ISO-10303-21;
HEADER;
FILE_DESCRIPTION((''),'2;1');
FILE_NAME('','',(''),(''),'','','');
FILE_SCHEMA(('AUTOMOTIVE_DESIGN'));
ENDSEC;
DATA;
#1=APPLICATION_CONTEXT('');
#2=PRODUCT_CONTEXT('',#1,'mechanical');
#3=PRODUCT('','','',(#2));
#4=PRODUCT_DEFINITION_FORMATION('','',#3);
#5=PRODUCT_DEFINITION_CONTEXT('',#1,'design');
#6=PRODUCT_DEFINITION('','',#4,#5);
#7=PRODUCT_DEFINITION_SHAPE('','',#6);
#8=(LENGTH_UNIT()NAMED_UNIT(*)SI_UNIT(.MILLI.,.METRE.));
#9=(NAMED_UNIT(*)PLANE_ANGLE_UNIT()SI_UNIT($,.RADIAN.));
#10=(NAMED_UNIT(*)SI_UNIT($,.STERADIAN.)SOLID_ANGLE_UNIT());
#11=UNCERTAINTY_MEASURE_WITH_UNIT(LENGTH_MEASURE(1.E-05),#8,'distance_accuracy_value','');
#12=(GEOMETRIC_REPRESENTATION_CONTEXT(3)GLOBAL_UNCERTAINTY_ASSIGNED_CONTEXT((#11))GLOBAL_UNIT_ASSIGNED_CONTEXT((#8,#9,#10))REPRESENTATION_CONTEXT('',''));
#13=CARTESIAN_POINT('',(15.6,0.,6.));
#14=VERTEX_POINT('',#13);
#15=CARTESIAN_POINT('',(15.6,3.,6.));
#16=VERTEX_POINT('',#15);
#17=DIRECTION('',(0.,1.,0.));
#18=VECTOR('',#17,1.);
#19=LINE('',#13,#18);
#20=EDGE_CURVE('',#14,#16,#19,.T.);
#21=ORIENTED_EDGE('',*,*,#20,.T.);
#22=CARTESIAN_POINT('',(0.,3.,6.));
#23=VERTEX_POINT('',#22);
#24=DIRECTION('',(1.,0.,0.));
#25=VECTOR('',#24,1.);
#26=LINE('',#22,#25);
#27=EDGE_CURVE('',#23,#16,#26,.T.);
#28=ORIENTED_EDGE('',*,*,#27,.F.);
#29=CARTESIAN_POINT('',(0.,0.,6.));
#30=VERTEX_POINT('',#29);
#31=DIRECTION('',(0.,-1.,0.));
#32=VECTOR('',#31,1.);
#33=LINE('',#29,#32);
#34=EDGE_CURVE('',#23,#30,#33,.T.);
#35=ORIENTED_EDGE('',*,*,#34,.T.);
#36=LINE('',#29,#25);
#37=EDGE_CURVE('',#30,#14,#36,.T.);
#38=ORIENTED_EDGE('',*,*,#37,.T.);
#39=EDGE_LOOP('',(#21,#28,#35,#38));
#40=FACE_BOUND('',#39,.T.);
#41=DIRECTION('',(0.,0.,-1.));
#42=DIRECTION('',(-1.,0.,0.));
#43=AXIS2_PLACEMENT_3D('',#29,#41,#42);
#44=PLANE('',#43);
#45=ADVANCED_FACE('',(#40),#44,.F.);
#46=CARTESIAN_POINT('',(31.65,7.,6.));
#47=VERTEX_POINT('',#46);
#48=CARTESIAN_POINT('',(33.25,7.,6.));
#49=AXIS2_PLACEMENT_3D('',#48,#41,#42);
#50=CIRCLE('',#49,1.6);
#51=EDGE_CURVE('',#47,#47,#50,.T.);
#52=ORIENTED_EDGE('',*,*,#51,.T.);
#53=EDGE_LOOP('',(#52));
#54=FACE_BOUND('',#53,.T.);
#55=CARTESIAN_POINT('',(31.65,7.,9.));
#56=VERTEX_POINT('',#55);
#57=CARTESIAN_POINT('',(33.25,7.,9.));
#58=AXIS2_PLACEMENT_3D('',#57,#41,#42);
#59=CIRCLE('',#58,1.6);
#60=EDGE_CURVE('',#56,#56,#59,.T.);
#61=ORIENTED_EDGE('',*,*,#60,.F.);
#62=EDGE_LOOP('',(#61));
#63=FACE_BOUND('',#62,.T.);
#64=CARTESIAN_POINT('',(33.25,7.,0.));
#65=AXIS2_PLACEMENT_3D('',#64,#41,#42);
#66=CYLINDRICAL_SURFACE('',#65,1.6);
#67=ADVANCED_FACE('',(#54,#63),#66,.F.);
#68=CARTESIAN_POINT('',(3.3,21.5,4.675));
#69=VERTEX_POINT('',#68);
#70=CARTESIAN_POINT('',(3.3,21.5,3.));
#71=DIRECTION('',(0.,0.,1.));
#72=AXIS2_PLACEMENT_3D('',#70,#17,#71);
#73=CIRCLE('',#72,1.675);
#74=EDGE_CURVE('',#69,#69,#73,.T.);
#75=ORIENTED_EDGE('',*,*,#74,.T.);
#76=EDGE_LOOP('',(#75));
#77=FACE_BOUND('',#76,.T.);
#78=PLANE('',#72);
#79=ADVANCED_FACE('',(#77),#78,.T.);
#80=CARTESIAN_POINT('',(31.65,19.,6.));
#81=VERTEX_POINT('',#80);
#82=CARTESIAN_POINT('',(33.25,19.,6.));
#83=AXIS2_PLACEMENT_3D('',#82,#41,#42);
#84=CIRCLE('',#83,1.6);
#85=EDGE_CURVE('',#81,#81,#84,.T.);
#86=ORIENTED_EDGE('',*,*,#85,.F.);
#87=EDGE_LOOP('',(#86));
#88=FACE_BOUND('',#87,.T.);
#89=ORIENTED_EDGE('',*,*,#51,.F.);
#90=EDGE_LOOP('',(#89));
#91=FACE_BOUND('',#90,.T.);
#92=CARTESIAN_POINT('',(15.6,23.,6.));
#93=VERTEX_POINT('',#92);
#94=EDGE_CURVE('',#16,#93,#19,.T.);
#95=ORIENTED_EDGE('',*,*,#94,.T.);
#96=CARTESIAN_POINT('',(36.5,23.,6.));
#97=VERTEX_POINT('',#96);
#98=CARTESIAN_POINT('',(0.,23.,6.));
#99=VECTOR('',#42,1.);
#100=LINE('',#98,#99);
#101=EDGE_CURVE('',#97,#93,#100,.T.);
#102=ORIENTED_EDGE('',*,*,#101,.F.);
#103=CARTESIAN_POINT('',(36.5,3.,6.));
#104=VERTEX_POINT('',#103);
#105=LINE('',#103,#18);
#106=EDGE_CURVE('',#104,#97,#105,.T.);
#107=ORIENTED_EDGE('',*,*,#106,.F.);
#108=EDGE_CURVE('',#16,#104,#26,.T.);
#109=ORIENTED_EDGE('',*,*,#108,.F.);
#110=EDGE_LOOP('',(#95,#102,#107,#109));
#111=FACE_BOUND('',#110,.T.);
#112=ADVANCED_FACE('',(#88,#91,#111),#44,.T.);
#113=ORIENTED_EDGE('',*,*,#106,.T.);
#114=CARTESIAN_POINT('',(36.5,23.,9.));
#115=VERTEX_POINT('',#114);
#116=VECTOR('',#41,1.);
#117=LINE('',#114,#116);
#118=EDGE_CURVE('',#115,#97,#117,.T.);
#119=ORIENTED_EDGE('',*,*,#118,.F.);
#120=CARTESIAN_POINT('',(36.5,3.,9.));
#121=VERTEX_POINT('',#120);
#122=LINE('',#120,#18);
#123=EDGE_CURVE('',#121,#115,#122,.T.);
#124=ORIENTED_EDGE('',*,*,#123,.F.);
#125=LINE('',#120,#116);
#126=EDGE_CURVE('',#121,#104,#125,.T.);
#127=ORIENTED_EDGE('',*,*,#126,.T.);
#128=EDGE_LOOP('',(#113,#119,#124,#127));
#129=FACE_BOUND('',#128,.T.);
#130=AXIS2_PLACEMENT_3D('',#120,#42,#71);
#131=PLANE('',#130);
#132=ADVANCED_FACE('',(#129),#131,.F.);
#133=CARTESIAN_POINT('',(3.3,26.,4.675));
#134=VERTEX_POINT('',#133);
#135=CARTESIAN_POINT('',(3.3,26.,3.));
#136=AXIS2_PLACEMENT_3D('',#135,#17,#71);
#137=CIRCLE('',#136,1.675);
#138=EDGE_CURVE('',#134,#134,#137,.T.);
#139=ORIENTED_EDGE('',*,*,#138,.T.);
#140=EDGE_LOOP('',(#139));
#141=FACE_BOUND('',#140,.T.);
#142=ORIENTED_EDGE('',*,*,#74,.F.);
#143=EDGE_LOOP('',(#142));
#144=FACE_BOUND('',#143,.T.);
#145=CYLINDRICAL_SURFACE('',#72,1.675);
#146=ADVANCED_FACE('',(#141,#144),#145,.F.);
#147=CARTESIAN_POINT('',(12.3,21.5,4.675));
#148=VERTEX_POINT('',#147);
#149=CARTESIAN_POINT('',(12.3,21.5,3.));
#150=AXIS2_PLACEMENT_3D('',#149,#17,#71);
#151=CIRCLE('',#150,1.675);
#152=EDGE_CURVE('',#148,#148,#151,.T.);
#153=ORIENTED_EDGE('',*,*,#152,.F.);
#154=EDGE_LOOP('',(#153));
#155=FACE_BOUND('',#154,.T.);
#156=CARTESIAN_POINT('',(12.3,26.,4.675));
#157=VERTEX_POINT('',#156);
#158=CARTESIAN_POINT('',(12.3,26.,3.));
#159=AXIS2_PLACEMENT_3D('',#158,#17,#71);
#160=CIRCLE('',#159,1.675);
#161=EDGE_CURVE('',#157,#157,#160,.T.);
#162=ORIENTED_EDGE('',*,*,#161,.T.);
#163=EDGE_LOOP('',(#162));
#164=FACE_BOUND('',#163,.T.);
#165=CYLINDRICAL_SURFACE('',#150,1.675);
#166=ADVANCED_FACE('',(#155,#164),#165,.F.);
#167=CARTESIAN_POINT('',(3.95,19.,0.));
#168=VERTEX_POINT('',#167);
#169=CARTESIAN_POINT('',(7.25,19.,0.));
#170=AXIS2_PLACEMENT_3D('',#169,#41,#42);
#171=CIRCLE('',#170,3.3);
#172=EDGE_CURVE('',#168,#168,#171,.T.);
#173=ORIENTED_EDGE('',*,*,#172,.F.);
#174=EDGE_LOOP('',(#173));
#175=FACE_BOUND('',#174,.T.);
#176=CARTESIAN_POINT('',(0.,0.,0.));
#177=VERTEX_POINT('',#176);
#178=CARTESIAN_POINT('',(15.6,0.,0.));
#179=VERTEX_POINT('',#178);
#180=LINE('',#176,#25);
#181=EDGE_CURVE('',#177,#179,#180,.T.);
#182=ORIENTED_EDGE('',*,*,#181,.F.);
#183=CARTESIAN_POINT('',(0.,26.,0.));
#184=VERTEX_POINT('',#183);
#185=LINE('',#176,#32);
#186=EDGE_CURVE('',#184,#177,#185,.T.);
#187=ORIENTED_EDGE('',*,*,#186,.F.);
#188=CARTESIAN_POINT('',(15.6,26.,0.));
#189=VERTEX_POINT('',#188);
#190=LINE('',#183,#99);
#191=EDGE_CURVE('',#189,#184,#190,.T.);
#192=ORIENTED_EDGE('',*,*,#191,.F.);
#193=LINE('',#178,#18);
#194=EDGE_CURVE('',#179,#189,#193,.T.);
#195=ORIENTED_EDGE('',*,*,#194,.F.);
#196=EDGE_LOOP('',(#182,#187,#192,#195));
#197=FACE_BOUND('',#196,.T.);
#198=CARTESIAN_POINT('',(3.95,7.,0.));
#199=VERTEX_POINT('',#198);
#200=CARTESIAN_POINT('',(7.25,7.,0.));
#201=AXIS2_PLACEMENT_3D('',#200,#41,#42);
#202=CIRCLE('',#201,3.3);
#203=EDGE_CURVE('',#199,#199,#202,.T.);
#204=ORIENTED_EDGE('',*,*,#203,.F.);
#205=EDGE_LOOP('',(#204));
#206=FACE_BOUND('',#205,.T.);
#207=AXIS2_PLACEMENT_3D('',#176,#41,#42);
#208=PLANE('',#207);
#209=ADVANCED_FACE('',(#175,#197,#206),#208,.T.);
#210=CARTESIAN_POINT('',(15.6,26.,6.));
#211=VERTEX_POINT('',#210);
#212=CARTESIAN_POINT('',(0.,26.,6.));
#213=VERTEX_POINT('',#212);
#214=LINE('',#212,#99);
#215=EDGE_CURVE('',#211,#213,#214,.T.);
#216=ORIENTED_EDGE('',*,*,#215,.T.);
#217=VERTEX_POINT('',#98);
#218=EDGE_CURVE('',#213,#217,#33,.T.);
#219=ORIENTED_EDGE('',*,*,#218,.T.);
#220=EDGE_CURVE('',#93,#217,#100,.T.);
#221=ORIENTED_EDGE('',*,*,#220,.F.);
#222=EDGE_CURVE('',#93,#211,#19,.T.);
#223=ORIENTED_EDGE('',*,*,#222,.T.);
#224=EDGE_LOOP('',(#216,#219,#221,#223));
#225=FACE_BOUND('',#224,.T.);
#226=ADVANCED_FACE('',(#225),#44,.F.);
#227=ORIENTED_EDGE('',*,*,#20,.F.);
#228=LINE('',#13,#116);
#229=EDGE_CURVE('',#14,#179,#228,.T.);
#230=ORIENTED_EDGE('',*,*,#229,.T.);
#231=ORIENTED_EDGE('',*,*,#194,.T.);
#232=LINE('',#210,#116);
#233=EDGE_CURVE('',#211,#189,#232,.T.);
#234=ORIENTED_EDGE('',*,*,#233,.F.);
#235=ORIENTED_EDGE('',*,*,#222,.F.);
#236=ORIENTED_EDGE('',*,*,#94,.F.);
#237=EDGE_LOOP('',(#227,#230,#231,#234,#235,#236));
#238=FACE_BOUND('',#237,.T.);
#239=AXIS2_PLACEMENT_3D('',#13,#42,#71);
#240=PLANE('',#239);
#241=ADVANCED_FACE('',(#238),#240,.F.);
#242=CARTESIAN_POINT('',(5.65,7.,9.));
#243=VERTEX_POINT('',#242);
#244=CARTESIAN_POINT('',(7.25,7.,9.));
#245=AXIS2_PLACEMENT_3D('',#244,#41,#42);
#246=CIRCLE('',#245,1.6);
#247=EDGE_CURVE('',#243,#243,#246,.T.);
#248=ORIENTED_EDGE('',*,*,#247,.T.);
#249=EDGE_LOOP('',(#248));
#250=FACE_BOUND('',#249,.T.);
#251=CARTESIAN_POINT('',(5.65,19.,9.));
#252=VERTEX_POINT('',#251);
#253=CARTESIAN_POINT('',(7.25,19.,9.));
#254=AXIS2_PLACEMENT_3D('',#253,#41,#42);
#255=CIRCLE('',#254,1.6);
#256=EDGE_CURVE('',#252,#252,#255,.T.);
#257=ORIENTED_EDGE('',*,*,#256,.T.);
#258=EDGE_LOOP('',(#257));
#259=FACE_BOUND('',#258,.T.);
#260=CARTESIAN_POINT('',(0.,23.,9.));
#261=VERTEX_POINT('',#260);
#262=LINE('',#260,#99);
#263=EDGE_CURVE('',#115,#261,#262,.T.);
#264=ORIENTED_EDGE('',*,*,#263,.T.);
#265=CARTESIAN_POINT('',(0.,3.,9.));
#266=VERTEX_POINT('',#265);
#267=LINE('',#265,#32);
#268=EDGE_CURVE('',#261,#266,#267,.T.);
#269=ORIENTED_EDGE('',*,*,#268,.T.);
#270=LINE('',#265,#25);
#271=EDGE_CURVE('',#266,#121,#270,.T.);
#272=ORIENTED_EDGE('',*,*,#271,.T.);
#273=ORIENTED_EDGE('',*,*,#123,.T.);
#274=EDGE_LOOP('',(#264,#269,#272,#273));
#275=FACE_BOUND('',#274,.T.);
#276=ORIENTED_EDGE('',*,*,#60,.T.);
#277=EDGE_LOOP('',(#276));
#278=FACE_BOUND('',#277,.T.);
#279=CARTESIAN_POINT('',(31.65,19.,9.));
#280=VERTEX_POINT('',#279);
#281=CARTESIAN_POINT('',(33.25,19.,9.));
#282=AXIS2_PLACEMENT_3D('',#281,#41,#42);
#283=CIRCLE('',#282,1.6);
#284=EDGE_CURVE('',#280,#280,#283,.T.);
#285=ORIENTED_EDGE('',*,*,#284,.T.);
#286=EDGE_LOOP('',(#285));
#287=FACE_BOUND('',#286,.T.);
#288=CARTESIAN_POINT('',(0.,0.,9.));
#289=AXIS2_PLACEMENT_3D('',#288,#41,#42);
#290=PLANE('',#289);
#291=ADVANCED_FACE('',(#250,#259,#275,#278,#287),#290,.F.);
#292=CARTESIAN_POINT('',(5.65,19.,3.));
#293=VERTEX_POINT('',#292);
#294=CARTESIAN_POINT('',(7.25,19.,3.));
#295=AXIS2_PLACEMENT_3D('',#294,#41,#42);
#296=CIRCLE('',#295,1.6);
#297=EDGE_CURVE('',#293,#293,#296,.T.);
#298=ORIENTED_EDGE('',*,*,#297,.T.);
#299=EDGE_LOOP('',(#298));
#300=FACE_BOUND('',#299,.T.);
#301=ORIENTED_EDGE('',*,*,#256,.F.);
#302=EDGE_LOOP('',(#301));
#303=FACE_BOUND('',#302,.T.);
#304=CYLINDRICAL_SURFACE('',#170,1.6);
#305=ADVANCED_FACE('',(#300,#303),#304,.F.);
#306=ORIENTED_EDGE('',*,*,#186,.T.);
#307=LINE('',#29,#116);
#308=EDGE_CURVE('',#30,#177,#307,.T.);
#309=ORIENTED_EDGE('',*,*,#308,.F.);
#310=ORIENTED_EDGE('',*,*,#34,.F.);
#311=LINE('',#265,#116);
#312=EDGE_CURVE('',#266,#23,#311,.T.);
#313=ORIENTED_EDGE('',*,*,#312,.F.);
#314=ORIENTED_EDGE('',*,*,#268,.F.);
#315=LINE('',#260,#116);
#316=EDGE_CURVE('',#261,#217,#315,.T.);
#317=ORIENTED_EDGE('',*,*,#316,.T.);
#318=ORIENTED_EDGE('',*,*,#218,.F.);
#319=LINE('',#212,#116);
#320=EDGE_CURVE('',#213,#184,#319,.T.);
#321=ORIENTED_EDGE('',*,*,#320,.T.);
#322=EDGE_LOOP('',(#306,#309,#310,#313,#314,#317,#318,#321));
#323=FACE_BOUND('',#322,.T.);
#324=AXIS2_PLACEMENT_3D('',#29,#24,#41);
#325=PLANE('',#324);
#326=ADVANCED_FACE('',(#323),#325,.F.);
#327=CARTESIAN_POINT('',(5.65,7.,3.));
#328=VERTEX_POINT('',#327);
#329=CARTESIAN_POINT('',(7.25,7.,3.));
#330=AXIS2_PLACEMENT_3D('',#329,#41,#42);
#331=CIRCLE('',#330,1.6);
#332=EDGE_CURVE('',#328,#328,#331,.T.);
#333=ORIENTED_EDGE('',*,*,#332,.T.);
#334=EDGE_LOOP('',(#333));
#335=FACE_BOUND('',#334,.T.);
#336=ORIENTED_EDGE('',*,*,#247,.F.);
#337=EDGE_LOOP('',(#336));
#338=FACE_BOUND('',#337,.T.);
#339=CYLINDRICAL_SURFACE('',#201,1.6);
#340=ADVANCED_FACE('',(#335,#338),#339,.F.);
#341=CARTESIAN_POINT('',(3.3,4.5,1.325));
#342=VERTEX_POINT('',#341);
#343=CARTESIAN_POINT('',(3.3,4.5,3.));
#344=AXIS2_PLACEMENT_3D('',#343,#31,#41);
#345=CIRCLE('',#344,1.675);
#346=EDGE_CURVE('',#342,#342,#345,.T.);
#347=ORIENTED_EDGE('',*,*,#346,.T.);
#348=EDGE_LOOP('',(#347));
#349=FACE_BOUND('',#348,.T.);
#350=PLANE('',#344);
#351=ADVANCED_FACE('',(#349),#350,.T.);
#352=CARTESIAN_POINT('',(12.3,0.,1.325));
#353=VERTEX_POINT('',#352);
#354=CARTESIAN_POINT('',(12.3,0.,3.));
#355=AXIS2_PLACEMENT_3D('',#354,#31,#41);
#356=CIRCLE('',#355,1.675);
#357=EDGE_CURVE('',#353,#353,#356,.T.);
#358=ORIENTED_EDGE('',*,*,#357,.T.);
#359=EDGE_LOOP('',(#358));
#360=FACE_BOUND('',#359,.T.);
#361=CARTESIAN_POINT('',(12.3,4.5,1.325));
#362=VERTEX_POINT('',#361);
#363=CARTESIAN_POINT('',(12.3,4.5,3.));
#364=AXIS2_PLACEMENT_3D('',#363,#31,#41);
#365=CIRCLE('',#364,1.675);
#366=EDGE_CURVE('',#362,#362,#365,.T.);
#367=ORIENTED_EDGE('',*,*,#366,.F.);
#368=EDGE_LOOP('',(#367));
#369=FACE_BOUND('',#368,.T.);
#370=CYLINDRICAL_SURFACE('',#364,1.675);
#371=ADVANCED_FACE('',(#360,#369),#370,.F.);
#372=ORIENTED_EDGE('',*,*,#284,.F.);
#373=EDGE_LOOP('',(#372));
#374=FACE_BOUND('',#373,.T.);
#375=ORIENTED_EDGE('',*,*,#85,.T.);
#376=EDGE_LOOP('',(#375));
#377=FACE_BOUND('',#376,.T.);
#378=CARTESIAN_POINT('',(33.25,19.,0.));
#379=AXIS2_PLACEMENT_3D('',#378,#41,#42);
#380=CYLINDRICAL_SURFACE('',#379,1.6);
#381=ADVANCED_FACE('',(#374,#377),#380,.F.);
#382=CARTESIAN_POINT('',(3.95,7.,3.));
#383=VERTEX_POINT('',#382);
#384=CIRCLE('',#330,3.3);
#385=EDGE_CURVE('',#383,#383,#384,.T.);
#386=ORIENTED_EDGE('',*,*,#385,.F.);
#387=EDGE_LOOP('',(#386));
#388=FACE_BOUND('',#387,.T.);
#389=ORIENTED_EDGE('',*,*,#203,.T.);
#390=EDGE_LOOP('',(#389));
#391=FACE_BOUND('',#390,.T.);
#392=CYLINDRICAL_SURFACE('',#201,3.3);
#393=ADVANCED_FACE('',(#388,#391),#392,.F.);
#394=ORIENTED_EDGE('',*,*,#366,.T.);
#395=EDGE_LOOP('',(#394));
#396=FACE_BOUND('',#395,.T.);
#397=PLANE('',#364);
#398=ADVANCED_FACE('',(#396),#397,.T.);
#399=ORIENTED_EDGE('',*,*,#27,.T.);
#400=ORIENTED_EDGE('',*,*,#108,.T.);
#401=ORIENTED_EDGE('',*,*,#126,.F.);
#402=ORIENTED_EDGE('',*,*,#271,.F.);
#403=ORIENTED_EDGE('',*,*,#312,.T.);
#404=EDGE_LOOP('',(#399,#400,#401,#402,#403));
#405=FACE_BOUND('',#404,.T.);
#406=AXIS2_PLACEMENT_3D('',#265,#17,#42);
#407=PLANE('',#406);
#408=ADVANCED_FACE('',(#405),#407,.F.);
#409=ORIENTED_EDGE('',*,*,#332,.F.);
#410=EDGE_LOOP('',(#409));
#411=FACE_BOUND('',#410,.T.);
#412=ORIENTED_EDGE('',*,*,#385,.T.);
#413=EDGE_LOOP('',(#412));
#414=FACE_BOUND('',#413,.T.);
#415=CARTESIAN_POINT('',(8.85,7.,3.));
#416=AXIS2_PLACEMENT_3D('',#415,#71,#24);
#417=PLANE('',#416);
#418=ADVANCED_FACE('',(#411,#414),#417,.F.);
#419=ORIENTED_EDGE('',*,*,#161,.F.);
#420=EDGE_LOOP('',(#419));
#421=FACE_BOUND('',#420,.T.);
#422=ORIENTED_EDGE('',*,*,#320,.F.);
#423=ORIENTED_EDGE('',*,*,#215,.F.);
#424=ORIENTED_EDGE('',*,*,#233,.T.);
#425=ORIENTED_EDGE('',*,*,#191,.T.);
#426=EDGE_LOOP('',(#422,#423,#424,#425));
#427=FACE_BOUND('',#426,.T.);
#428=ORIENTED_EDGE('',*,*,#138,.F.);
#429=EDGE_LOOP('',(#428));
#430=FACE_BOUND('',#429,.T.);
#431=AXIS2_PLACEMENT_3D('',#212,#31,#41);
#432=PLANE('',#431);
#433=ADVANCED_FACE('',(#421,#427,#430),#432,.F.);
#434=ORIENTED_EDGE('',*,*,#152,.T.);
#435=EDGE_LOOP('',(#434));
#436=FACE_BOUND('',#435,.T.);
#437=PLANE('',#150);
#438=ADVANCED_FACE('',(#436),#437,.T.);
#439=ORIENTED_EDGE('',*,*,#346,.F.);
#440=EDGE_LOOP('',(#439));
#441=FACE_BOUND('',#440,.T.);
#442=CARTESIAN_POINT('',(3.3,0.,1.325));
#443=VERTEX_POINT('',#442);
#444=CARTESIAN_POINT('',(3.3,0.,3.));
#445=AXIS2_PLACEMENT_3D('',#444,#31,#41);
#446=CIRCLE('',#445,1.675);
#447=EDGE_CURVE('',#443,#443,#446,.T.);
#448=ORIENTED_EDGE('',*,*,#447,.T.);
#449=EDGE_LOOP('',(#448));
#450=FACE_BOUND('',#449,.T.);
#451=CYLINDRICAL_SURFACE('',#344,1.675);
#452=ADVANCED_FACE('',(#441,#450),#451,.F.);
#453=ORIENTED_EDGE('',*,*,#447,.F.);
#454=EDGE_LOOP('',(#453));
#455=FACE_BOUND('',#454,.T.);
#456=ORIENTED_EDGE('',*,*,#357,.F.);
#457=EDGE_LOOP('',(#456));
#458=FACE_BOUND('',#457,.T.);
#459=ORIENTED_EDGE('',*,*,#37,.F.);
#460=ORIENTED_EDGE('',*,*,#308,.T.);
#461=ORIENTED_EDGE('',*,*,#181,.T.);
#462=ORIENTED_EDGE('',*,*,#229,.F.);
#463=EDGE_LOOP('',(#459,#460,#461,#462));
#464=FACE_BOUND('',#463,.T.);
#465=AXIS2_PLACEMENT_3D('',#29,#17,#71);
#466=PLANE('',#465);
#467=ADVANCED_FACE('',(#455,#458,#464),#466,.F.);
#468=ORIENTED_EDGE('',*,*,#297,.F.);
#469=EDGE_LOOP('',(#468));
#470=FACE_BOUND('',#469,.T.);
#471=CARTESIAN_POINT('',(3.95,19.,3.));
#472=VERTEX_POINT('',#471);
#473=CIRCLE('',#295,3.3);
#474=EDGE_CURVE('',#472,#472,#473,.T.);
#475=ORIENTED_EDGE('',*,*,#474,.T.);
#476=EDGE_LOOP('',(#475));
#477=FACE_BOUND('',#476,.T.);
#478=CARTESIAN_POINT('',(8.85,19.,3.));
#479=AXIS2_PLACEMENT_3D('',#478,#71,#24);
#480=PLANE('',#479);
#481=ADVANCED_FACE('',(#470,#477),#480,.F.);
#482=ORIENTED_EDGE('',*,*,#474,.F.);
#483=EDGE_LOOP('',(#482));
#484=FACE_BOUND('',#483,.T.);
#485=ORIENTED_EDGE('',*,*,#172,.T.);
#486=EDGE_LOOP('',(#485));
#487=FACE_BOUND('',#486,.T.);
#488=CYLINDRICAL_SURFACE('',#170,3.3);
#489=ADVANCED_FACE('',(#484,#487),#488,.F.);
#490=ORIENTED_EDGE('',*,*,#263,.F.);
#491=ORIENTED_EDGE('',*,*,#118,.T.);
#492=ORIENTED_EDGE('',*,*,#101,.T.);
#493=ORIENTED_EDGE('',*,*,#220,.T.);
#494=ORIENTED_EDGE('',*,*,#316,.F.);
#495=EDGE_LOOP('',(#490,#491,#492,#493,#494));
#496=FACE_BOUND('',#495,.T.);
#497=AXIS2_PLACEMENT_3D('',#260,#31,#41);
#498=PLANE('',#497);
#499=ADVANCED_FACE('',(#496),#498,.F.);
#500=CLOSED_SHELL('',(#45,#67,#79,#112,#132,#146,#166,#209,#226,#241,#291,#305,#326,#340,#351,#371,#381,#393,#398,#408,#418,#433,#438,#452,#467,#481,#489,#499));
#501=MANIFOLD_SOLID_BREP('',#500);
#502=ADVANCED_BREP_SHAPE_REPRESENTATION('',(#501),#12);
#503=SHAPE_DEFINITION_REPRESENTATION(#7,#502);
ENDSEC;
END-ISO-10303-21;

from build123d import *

# Parameters (mm, degrees)
SKETCH1_W                      = 15.6
SKETCH1_H                      = 26
BOSS_EXTRUDE1_DEPTH            = 6
SKETCH2_R                      = 1.675
CUT_EXTRUDE1_DEPTH             = 4.5
CUT_EXTRUDE2_START             = -4.5
SKETCH3_R                      = 1.675
CUT_EXTRUDE2_DEPTH             = 4.5
SKETCH4_W                      = 36.5
SKETCH4_H                      = 20
BOSS_EXTRUDE2_DEPTH            = 3
CBORE_FOR_M3_SHCS4_D           = 3.2
CBORE_FOR_M3_SHCS4_CBORE_D     = 6.6
CBORE_FOR_M3_SHCS4_CBORE_DEPTH = 3


with BuildPart() as part:
    # Sketch1 → Boss-Extrude1 (new body)
    with BuildSketch(Plane.XY):
        with Locations((7.8, 13)):
            Rectangle(SKETCH1_W, SKETCH1_H)
    extrude(amount=BOSS_EXTRUDE1_DEPTH)

    # Sketch2 → Cut-Extrude1 (cut)
    with BuildSketch(Plane(origin=(0, 26, 0), x_dir=(1, 0, 0), z_dir=(0, 1, 0))):
        with Locations(Location((3.3, -3, 0), (0, 0, 270))):
            Circle(SKETCH2_R)
        with Locations(Location((12.3, -3, 0), (0, 0, 270))):
            Circle(SKETCH2_R)
    extrude(amount=-CUT_EXTRUDE1_DEPTH, mode=Mode.SUBTRACT)

    # Sketch3 → Cut-Extrude2 (cut)
    with BuildSketch(Plane.XZ.offset(CUT_EXTRUDE2_START)):
        with Locations(Location((12.3, 3, 0), (0, 0, 90))):
            Circle(SKETCH3_R)
        with Locations(Location((3.3, 3, 0), (0, 0, 90))):
            Circle(SKETCH3_R)
    extrude(amount=CUT_EXTRUDE2_DEPTH, mode=Mode.SUBTRACT)

    # Sketch4 → Boss-Extrude2 (add)
    with BuildSketch(Plane.XY.offset(6)):
        with Locations((18.25, 13)):
            Rectangle(SKETCH4_W, SKETCH4_H)
    extrude(amount=BOSS_EXTRUDE2_DEPTH)

    # CBORE for M3 SHCS4 (through all)
    with Locations(Plane(origin=(0, 0, 0), x_dir=(-1, 0, 0), z_dir=(0, 0, -1))):
        with Locations((-33.25, 19), (-7.25, 19), (-7.25, 7), (-33.25, 7)):
            CounterBoreHole(CBORE_FOR_M3_SHCS4_D / 2, CBORE_FOR_M3_SHCS4_CBORE_D / 2, CBORE_FOR_M3_SHCS4_CBORE_DEPTH)


solid = part.part
